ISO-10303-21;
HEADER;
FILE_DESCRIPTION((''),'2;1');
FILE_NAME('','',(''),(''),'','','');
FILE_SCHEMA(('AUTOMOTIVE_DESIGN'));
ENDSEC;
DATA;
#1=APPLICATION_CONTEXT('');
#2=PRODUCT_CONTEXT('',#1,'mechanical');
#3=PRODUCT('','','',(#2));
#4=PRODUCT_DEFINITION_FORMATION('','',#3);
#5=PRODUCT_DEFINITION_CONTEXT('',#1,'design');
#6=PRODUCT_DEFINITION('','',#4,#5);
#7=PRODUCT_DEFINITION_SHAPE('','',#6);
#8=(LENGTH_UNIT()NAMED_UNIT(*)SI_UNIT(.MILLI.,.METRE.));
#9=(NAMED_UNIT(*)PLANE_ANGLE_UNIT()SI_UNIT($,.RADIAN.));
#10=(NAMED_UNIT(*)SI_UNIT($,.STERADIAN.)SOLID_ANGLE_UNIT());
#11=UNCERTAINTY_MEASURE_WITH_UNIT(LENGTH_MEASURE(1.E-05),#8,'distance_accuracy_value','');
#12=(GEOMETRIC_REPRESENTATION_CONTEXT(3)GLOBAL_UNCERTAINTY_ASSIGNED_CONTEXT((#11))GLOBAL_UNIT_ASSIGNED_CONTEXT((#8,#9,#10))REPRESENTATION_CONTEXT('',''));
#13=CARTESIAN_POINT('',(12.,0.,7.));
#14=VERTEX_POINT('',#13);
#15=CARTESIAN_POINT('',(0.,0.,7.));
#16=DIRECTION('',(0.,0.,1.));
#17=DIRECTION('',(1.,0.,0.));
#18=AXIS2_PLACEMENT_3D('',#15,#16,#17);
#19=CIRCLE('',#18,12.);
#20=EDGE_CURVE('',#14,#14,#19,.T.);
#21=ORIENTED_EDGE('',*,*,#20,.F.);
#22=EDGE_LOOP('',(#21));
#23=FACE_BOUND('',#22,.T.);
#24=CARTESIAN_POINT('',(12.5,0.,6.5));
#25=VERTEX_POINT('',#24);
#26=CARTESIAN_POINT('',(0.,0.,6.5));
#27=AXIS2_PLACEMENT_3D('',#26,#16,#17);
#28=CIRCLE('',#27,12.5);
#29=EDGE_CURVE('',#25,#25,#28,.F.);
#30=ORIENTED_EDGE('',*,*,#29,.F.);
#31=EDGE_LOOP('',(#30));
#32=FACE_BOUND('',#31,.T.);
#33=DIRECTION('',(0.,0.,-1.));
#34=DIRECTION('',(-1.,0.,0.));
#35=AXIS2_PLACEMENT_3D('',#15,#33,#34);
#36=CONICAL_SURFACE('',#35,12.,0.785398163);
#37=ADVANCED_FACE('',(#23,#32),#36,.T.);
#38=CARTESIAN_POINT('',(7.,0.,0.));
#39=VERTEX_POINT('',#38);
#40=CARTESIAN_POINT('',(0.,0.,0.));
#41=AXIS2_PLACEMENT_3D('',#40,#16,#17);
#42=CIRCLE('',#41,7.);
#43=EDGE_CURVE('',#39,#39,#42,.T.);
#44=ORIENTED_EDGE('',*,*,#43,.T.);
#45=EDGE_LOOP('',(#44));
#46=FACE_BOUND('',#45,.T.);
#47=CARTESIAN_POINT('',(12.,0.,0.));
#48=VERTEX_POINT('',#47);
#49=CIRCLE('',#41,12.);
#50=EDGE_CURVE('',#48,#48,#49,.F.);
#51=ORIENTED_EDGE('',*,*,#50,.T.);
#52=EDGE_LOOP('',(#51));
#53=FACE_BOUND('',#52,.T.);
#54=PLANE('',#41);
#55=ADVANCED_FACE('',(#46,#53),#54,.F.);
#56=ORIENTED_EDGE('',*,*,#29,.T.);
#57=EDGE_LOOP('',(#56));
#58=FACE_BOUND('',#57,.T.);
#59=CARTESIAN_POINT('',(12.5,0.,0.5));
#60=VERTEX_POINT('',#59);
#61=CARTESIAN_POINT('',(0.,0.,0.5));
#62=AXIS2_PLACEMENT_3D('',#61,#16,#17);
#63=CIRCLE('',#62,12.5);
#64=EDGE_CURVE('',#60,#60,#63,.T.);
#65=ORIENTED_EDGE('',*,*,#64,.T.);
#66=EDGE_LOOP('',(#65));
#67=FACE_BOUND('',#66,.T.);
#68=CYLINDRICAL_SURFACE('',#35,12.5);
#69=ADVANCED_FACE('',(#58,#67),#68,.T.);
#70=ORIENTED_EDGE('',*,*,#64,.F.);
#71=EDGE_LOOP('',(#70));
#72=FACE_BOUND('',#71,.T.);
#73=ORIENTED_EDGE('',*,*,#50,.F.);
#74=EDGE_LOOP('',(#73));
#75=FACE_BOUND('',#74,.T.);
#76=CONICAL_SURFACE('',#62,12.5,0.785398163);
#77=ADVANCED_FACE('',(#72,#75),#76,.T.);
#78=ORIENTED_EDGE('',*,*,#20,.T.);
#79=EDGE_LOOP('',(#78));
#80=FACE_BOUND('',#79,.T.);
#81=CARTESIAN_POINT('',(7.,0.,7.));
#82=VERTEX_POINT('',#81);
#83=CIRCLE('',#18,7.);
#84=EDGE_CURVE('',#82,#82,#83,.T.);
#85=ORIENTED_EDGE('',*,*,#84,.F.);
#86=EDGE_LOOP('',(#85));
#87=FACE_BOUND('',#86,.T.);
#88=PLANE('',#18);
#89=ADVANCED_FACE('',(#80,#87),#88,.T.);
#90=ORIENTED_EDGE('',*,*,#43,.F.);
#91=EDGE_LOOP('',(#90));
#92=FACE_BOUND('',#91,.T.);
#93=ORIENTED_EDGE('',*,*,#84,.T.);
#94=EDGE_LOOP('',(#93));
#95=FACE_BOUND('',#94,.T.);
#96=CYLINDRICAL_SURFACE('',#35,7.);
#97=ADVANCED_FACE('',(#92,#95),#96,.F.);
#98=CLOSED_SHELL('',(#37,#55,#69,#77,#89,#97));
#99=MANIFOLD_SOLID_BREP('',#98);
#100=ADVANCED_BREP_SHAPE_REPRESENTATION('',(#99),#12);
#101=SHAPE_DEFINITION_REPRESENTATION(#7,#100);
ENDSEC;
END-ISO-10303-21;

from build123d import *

# Parameters (mm, degrees)
SKETCH_1_R      = 12.5
SKETCH_1_R_2    = 7
EXTRUDE_1_DEPTH = 7
CHAMFER_1_SIZE  = 0.5


with BuildPart() as part:
    # 草圖1 → 填料-伸長1 (new body)
    with BuildSketch(Plane.XY):
        Circle(SKETCH_1_R)
        Circle(SKETCH_1_R_2, mode=Mode.SUBTRACT)
    extrude(amount=EXTRUDE_1_DEPTH)

    # 導角1
    chamfer_1_edges = [part.edges().sort_by_distance(p)[0] for p in [
        (-12.5, 0, 0),
        (-12.5, 0, 7),
    ]]
    chamfer(chamfer_1_edges, length=CHAMFER_1_SIZE)


solid = part.part
